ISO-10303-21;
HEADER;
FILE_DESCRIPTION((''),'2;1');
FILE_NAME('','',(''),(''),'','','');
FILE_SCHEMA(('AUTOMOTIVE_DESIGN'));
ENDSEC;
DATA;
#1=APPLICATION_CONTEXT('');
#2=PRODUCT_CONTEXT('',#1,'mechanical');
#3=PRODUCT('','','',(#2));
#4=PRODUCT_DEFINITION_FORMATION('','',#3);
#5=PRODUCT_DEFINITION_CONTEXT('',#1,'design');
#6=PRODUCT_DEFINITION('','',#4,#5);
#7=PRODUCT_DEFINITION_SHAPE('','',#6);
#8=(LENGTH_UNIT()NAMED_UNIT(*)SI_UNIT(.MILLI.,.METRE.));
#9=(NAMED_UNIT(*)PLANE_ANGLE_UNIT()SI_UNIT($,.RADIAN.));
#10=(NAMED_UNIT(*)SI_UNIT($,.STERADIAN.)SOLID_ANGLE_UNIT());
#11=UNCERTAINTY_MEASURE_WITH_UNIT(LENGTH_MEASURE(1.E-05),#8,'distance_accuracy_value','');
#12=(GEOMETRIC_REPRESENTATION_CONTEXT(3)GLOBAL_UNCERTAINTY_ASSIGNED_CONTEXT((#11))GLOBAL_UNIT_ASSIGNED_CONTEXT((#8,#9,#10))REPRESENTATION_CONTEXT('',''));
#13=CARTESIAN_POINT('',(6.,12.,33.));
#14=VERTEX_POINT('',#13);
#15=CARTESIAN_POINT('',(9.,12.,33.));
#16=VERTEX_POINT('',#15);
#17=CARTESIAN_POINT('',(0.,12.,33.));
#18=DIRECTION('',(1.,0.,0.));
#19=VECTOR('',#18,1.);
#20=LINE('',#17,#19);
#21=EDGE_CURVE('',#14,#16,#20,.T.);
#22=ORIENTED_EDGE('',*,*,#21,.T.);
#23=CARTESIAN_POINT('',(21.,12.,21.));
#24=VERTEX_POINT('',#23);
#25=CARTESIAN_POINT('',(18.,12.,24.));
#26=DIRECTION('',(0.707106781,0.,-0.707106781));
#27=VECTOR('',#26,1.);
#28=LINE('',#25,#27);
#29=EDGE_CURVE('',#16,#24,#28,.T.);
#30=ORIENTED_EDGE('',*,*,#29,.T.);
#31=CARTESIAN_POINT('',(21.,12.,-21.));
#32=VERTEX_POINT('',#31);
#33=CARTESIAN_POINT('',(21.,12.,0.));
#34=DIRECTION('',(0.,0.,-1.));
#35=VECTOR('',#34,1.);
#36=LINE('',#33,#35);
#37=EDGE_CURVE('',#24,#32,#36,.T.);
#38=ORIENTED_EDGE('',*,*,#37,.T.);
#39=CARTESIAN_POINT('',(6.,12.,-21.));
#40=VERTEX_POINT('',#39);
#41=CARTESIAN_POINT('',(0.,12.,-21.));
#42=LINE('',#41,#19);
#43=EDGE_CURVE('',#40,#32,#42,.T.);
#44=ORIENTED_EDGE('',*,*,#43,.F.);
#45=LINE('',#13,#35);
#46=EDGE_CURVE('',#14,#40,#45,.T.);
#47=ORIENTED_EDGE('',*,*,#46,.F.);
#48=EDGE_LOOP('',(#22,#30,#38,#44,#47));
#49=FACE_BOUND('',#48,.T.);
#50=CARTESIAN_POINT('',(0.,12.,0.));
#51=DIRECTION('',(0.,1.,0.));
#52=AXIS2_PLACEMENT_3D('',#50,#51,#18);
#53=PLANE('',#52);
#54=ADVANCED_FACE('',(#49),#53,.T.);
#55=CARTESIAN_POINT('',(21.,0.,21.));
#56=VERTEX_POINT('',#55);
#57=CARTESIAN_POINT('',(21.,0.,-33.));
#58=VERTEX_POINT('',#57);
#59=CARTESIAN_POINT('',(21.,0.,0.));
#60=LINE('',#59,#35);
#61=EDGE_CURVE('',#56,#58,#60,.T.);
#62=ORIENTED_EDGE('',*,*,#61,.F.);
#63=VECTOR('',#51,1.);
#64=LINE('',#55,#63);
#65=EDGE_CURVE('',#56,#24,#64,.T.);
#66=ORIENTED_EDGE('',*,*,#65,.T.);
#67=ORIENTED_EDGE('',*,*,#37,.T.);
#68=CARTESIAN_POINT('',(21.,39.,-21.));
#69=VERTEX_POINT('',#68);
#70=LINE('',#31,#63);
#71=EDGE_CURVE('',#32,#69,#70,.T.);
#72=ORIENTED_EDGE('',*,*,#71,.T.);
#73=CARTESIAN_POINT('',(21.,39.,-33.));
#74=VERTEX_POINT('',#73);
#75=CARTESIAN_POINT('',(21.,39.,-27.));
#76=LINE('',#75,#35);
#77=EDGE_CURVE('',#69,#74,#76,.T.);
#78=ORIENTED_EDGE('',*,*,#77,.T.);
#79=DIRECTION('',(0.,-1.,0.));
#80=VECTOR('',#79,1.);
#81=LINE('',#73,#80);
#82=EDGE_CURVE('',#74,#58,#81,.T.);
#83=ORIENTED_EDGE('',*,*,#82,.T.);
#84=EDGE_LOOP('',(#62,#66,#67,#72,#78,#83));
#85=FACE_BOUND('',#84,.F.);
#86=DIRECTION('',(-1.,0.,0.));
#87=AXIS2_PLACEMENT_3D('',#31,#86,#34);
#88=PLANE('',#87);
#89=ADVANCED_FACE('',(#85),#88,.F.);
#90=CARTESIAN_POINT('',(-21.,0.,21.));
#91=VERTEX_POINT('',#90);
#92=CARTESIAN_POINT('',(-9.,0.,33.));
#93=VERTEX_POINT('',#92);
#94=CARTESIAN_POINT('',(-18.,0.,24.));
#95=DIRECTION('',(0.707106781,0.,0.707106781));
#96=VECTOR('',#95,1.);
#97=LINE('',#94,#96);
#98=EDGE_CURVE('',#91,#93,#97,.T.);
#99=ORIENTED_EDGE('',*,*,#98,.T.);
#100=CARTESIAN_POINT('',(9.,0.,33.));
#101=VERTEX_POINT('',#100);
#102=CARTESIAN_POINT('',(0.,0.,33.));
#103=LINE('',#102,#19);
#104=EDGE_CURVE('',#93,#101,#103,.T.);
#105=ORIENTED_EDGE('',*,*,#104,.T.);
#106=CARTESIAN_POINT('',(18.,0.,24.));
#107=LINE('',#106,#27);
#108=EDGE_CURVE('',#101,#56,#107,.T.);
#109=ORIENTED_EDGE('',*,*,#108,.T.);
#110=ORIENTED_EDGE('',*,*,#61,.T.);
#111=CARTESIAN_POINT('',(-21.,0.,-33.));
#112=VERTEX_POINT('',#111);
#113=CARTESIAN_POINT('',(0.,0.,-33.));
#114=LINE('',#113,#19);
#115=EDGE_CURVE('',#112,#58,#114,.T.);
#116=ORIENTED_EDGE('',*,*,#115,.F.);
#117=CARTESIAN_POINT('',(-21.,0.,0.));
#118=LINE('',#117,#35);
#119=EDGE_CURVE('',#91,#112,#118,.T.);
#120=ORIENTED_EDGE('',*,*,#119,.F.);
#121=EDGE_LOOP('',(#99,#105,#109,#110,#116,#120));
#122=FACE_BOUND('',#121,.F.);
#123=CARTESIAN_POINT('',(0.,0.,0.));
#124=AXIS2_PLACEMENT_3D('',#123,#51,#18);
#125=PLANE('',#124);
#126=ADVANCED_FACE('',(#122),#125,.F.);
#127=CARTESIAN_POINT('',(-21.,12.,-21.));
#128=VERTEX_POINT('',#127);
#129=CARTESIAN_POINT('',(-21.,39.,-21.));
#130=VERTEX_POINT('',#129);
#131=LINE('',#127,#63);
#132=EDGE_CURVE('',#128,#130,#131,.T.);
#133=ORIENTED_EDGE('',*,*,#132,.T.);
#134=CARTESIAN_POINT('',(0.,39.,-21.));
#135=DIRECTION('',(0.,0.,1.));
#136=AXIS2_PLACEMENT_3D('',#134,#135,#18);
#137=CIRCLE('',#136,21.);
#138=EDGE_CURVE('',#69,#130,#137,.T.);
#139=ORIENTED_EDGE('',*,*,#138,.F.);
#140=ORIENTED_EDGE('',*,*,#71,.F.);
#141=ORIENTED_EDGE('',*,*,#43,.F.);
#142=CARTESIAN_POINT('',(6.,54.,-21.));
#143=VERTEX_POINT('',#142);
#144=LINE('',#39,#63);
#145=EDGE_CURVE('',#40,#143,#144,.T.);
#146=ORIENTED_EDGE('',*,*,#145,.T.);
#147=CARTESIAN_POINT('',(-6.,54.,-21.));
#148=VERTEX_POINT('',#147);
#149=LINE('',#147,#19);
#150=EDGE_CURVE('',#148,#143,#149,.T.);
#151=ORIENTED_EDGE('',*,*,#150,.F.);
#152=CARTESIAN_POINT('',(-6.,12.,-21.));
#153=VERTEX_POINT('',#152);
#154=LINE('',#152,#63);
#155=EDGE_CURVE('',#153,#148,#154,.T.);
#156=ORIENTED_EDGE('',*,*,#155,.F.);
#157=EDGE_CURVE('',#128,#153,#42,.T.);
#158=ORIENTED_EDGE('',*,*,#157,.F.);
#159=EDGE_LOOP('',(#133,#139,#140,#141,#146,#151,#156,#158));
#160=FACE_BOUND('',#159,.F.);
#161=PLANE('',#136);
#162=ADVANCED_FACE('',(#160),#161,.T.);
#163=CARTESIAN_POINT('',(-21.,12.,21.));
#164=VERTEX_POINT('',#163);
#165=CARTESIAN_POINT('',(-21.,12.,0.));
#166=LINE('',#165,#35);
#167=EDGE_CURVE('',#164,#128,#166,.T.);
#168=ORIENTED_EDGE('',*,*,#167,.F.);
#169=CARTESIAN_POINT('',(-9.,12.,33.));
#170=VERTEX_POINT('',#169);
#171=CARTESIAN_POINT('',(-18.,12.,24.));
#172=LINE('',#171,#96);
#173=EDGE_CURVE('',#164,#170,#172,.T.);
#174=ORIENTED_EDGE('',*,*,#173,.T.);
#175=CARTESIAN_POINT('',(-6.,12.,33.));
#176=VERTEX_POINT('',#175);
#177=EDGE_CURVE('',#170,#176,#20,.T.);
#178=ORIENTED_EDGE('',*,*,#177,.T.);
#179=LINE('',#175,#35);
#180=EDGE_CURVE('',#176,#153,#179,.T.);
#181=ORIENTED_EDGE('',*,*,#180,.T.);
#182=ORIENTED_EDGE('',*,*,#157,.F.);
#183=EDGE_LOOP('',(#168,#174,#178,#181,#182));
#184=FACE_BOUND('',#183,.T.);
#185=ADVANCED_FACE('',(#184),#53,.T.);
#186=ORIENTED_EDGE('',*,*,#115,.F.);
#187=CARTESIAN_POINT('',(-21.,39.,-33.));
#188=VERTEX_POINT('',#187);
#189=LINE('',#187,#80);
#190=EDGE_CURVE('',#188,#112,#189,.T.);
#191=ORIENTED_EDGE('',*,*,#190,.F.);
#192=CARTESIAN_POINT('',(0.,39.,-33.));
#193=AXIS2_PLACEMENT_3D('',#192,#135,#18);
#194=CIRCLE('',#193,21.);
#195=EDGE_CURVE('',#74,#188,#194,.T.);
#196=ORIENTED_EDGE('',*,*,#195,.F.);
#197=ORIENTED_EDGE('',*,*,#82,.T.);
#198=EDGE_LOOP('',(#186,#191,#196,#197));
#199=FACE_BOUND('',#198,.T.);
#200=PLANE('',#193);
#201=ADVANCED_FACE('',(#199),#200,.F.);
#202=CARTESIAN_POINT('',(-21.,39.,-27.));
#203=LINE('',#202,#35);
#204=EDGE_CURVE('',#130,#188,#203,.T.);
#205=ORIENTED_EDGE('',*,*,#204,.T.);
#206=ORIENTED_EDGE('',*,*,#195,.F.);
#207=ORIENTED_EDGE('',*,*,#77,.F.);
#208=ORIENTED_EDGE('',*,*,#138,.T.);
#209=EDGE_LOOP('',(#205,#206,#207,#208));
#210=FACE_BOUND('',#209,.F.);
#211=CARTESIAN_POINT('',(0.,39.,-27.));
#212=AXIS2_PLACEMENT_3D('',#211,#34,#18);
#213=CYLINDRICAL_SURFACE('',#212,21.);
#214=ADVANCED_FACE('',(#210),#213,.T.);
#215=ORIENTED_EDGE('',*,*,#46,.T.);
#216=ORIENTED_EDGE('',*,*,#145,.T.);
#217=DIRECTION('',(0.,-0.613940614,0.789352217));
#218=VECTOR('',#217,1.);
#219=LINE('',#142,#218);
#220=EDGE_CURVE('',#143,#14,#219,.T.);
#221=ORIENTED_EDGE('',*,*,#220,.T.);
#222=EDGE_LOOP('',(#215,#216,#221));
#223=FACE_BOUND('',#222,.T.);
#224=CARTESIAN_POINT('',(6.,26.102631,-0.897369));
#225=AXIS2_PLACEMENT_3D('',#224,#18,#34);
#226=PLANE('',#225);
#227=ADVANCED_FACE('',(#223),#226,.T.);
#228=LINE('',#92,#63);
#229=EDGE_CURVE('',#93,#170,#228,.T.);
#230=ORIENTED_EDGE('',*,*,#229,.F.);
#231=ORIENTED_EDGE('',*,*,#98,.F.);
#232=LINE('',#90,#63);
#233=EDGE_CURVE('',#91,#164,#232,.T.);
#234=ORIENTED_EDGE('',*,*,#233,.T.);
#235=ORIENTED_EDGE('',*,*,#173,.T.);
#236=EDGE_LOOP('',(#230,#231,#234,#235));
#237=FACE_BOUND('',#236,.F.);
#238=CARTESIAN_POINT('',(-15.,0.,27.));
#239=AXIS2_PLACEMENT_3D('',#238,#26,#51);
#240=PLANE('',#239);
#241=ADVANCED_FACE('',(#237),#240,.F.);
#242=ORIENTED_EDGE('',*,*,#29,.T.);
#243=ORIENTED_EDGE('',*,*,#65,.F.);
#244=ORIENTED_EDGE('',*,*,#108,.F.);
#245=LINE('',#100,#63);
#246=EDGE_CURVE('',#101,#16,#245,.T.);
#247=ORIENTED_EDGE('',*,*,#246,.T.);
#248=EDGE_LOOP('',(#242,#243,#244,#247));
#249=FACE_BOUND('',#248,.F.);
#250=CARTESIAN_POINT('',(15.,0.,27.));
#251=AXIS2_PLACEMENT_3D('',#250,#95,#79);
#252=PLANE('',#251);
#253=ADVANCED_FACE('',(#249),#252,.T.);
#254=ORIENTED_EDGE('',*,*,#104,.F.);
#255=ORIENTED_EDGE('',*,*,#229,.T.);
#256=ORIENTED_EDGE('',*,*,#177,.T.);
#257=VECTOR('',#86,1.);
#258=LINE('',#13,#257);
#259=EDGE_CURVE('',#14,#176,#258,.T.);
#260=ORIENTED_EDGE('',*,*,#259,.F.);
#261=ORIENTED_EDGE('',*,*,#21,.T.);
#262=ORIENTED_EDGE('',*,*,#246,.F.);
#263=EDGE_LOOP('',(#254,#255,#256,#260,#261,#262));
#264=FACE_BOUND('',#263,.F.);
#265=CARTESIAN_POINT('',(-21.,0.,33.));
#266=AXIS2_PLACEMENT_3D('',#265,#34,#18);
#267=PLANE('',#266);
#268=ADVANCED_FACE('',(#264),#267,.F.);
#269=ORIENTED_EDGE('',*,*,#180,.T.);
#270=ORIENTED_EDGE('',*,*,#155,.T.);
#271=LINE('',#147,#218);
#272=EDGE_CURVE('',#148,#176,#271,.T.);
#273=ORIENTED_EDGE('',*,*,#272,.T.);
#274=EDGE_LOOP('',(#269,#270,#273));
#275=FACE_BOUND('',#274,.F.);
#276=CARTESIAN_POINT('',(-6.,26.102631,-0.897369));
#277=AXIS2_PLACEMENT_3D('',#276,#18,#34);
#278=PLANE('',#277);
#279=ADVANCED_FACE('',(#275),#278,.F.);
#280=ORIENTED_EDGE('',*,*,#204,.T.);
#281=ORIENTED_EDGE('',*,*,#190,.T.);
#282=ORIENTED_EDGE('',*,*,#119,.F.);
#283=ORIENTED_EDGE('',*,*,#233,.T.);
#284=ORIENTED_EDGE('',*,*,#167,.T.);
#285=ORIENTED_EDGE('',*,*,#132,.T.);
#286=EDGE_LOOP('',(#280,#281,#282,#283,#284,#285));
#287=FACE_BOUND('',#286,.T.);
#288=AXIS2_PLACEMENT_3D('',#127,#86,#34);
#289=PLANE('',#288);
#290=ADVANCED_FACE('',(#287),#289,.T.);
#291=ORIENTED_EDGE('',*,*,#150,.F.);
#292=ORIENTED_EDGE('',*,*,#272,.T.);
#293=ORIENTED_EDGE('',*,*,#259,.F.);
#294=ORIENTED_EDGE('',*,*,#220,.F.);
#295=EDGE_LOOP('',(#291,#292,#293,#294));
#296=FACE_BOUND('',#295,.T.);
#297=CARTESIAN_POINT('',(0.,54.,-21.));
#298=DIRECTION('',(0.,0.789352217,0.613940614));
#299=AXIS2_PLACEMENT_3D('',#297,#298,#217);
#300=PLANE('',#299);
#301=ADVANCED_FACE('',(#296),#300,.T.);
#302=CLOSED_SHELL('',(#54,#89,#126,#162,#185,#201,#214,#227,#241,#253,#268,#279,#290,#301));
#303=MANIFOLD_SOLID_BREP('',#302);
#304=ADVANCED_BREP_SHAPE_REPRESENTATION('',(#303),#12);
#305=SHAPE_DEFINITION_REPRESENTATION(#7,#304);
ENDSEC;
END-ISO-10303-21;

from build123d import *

# Parameters (mm, degrees)
SKETCH2_W           = 42
SKETCH2_H           = 66
BOSS_EXTRUDE1_DEPTH = 12
CHAMFER1_SIZE       = 12
SKETCH5_W           = 42
SKETCH5_H           = 12
BOSS_EXTRUDE2_DEPTH = 27
SKETCH6_W           = 21
SKETCH6_H           = 12
REVOLVE1_ANGLE      = 180
BOSS_EXTRUDE3_DEPTH = 6


with BuildPart() as part:
    # Sketch2 → Boss-Extrude1 (new body)
    with BuildSketch(Plane(origin=(0, 0, 0), x_dir=(1, 0, 0), z_dir=(0, 1, 0))):
        Rectangle(SKETCH2_W, SKETCH2_H)
    extrude(amount=BOSS_EXTRUDE1_DEPTH)

    # Chamfer1
    chamfer1_edges = [part.edges().sort_by_distance(p)[0] for p in [
        (21, 6, 33),
        (-21, 6, 33),
    ]]
    chamfer(chamfer1_edges, length=CHAMFER1_SIZE)

    # Sketch5 → Boss-Extrude2 (add)
    with BuildSketch(Plane(origin=(0, 12, 0), x_dir=(1, 0, 0), z_dir=(0, 1, 0))):
        with Locations((0, 27)):
            Rectangle(SKETCH5_W, SKETCH5_H)
    extrude(amount=BOSS_EXTRUDE2_DEPTH)

    # Sketch6 → Revolve1 (revolve)
    with BuildSketch(Plane(origin=(0, 39, 0), x_dir=(1, 0, 0), z_dir=(0, 1, 0))):
        with Locations((10.5, 27)):
            Rectangle(SKETCH6_W, SKETCH6_H)
    revolve(axis=Axis((0, 39, -33), (0, 0, 1)), revolution_arc=REVOLVE1_ANGLE)

    # Sketch9 → Boss-Extrude3 (add, symmetric)
    with BuildSketch(Plane(origin=(0, 0, 0), x_dir=(0, 0, -1), z_dir=(1, 0, 0))):
        Polygon((21, 12), (21, 54), (-33, 12), align=None)
    extrude(amount=BOSS_EXTRUDE3_DEPTH, both=True)


solid = part.part
